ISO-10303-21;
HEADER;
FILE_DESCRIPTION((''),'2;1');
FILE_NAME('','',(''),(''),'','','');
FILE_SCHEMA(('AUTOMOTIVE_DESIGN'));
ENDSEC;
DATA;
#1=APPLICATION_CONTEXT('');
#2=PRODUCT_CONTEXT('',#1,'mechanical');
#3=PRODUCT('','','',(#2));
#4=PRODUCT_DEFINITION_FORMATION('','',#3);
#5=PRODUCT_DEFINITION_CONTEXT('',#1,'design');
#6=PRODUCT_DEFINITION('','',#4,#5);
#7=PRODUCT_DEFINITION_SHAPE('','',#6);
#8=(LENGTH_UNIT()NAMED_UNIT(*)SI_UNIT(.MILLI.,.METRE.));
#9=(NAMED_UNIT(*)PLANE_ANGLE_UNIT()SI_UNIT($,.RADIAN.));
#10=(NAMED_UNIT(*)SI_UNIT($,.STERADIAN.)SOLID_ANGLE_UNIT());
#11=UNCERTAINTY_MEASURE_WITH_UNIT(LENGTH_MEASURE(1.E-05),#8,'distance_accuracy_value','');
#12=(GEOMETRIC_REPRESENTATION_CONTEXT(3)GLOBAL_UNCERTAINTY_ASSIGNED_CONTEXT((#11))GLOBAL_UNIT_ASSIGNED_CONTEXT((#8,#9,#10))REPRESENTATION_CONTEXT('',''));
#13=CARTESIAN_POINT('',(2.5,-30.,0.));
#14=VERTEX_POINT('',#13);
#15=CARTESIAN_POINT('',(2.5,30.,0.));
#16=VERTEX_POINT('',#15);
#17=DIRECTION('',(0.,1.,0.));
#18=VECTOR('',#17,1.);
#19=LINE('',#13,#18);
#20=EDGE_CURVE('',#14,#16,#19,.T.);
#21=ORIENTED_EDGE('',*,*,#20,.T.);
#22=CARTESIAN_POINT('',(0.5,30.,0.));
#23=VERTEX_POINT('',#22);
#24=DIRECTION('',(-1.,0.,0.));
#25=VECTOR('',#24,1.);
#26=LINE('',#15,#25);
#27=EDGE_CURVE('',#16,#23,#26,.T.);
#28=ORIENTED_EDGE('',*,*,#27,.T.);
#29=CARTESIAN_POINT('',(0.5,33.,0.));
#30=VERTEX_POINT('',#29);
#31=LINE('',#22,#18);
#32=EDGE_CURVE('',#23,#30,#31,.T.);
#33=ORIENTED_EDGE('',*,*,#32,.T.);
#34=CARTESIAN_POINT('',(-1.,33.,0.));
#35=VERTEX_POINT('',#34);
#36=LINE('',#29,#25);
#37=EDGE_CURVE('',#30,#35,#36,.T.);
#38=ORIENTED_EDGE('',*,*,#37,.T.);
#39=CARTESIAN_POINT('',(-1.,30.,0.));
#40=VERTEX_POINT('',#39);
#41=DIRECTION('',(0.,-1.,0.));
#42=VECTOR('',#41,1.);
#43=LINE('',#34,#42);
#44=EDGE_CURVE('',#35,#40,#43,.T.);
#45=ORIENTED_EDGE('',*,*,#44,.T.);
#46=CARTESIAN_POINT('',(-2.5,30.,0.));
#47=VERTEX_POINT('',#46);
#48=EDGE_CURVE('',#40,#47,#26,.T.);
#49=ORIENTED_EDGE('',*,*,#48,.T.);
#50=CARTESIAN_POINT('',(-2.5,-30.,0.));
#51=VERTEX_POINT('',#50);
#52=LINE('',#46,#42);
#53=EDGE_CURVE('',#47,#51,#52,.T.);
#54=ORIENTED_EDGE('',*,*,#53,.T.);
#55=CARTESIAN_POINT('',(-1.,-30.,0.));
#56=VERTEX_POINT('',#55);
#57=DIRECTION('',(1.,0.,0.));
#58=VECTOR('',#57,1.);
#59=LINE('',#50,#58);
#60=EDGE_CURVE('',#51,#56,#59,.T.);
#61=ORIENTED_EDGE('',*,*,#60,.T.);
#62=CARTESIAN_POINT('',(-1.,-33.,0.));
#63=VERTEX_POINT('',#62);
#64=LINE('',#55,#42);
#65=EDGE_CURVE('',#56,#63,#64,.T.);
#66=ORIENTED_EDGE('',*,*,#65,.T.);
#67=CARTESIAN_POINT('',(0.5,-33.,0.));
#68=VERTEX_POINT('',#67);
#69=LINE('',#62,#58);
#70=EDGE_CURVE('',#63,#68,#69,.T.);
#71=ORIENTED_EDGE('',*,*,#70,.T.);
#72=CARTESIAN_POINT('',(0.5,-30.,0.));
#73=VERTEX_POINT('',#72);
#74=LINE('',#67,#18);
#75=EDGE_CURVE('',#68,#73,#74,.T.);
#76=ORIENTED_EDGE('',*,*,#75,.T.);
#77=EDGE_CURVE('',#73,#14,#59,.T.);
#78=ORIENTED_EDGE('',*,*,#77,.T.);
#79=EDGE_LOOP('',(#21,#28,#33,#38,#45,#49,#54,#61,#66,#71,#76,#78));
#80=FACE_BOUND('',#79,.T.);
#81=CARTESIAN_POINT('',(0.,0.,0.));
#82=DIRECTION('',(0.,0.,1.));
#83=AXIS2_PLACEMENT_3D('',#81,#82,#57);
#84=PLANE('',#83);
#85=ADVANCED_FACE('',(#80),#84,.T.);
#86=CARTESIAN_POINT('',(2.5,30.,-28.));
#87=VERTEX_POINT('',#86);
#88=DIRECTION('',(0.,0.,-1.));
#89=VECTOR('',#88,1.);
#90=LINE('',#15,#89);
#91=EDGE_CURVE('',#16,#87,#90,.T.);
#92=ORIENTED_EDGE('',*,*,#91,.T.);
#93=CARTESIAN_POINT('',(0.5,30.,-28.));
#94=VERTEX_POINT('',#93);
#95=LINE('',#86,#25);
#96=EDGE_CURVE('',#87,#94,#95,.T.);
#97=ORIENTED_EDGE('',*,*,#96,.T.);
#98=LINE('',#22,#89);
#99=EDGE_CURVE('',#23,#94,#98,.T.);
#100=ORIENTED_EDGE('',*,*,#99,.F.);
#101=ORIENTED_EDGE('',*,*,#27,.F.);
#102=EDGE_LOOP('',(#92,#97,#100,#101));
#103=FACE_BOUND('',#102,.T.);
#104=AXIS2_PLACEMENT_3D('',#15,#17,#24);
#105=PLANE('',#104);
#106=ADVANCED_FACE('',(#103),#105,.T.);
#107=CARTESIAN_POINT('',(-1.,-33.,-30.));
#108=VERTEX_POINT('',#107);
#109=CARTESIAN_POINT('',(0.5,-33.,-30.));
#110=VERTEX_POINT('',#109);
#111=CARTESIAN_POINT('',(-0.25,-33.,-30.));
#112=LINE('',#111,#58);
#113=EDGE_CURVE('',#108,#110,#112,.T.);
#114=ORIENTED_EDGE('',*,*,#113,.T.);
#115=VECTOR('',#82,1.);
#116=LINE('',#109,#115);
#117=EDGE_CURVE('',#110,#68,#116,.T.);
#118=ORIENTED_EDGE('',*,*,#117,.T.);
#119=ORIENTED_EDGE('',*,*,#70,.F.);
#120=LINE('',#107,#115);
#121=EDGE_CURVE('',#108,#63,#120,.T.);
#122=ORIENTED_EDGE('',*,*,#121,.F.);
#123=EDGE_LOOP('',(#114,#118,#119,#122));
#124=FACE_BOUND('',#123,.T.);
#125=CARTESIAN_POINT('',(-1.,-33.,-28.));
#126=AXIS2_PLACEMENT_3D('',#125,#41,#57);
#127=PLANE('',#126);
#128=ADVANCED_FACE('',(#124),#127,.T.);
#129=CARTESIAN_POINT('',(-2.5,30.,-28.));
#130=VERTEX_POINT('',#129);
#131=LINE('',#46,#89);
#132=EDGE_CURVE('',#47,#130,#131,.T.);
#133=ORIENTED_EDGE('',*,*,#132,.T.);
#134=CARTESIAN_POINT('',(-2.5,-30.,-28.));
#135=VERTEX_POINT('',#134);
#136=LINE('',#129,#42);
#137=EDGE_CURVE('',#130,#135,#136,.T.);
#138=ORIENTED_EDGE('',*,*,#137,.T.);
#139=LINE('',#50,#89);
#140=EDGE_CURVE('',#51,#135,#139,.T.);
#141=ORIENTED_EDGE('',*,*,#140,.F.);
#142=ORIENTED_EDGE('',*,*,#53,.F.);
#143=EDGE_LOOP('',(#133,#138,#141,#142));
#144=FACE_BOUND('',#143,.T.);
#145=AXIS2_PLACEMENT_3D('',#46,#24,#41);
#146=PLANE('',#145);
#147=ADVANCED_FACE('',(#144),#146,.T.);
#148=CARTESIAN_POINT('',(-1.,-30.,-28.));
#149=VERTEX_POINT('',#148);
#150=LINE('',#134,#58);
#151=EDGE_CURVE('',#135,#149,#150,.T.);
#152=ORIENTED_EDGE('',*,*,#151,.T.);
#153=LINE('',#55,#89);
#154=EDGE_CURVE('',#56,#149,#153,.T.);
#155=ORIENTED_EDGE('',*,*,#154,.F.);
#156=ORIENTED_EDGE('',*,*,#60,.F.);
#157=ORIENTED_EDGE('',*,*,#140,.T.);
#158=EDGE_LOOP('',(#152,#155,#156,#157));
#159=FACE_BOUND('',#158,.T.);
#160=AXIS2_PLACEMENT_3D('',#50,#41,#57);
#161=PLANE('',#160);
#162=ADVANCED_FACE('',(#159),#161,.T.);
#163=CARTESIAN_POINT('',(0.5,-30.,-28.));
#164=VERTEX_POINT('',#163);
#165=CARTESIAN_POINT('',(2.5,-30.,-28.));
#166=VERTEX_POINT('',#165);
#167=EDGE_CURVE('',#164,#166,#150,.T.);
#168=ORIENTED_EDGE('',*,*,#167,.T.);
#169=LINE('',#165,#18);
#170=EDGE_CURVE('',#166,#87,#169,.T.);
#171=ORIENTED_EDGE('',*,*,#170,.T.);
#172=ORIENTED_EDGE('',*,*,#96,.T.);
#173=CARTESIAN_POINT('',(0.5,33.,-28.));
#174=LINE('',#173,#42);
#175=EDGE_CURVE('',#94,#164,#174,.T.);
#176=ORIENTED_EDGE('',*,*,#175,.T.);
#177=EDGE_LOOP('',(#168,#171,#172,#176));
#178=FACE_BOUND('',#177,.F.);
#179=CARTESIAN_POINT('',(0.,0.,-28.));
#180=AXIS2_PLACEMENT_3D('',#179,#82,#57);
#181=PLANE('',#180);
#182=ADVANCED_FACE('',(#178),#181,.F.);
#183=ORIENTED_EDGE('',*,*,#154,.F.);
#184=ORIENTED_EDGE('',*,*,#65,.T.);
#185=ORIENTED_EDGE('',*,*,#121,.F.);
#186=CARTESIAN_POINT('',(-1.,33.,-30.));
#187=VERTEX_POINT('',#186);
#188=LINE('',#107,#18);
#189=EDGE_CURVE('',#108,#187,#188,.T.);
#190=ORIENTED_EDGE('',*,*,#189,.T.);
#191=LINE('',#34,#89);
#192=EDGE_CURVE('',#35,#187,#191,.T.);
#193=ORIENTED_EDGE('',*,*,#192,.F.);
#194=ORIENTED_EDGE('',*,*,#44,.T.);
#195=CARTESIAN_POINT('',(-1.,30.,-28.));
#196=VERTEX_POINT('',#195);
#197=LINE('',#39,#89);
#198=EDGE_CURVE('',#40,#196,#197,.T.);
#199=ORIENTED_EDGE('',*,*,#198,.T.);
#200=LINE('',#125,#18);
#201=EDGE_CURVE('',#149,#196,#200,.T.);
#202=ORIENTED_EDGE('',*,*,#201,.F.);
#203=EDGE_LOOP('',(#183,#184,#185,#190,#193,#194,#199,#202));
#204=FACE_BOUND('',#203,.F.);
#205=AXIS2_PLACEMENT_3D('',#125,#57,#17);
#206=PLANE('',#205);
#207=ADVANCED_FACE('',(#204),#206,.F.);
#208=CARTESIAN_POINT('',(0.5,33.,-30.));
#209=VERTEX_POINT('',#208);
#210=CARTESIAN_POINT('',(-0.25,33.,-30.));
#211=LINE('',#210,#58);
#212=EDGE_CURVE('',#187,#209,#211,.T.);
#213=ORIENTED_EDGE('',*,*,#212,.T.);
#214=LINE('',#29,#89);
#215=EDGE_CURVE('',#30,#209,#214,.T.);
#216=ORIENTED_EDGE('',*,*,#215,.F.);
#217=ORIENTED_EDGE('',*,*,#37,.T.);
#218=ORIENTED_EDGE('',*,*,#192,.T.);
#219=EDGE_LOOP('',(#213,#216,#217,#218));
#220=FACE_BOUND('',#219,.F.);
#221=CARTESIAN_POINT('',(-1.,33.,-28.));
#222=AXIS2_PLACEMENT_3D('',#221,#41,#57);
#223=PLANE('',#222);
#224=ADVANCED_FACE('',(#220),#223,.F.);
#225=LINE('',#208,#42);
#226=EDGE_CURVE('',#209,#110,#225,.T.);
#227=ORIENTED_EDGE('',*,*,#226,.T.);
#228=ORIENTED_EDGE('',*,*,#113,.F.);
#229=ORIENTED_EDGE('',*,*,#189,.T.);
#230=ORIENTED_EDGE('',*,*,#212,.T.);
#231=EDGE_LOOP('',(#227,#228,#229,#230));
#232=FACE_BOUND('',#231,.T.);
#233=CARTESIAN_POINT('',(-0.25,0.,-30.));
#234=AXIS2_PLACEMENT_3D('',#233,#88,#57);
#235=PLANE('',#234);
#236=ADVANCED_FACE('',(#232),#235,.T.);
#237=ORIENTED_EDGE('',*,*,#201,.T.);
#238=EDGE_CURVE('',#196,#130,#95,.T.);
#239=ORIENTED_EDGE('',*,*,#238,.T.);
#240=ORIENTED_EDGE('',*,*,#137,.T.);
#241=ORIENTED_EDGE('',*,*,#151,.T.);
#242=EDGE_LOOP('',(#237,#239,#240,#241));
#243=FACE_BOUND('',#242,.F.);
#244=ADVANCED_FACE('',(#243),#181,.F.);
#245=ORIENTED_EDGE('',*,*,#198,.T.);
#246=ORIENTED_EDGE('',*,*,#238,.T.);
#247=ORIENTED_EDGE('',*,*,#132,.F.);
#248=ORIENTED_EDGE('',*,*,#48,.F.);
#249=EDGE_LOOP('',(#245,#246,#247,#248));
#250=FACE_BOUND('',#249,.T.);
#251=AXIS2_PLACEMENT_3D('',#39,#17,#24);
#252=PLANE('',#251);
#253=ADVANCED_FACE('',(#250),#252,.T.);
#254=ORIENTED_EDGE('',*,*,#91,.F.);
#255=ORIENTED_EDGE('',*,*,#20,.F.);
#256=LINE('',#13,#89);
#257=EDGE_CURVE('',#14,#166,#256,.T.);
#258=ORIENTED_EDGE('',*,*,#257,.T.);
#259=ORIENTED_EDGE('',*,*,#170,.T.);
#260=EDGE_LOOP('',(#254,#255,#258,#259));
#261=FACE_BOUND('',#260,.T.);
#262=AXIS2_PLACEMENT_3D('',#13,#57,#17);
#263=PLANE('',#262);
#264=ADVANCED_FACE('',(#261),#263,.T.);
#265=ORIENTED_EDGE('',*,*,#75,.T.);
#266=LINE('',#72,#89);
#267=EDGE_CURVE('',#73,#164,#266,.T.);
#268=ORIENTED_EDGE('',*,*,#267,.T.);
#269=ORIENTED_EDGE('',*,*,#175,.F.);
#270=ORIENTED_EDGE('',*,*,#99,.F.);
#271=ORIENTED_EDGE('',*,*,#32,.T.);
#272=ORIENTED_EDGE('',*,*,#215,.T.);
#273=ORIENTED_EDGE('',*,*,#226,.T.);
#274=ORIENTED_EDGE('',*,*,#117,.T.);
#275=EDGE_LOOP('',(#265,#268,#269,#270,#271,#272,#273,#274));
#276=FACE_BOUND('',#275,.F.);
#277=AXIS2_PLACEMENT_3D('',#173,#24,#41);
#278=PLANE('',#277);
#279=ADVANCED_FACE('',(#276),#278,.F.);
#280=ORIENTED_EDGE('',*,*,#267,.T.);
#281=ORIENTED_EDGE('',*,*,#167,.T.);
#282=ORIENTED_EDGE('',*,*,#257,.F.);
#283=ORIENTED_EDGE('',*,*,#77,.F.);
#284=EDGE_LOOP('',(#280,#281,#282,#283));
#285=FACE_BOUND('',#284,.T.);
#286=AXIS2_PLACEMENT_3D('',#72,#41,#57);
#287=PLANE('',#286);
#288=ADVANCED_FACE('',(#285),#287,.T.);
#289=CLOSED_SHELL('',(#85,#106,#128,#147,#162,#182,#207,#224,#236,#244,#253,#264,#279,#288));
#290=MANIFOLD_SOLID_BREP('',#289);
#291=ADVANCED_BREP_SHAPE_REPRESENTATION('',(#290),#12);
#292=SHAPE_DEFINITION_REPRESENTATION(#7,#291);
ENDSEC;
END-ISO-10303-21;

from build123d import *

# Parameters (mm, degrees)
F1_DEPTH = 28
F2_W     = 1.5
F2_H     = 66
F3_DEPTH = 2


with BuildPart() as f1:
    # F0 (on Top) → F1 (new body)
    with BuildSketch(Plane.XY):
        Polygon((0.5, -30), (2.5, -30), (2.5, 30), (0.5, 30), (-1, 30), (-2.5, 30), (-2.5, -30), (-1, -30), align=None)
        Polygon((-1, 30), (0.5, 30), (0.5, 31.5), (0.5, 33), (-1, 33), align=None)
        Polygon((0.5, -31.5), (0.5, -30), (-1, -30), (-1, -33), (0.5, -33), align=None)
    extrude(amount=-F1_DEPTH)

    # F2 (on face) → F3 (join)
    with BuildSketch(Plane(origin=(0, 0, -28), x_dir=(1, 0, 0), z_dir=(0, 0, -1))):
        with Locations((-0.25, 0)):
            Rectangle(F2_W, F2_H)
        Polygon((0.5, 30), (0.5, 33), (-1, 33), (-1, 30), (-1, -30), (-1, -33), (0.5, -33), (0.5, -30), align=None)
    extrude(amount=F3_DEPTH)


solid = f1.part
